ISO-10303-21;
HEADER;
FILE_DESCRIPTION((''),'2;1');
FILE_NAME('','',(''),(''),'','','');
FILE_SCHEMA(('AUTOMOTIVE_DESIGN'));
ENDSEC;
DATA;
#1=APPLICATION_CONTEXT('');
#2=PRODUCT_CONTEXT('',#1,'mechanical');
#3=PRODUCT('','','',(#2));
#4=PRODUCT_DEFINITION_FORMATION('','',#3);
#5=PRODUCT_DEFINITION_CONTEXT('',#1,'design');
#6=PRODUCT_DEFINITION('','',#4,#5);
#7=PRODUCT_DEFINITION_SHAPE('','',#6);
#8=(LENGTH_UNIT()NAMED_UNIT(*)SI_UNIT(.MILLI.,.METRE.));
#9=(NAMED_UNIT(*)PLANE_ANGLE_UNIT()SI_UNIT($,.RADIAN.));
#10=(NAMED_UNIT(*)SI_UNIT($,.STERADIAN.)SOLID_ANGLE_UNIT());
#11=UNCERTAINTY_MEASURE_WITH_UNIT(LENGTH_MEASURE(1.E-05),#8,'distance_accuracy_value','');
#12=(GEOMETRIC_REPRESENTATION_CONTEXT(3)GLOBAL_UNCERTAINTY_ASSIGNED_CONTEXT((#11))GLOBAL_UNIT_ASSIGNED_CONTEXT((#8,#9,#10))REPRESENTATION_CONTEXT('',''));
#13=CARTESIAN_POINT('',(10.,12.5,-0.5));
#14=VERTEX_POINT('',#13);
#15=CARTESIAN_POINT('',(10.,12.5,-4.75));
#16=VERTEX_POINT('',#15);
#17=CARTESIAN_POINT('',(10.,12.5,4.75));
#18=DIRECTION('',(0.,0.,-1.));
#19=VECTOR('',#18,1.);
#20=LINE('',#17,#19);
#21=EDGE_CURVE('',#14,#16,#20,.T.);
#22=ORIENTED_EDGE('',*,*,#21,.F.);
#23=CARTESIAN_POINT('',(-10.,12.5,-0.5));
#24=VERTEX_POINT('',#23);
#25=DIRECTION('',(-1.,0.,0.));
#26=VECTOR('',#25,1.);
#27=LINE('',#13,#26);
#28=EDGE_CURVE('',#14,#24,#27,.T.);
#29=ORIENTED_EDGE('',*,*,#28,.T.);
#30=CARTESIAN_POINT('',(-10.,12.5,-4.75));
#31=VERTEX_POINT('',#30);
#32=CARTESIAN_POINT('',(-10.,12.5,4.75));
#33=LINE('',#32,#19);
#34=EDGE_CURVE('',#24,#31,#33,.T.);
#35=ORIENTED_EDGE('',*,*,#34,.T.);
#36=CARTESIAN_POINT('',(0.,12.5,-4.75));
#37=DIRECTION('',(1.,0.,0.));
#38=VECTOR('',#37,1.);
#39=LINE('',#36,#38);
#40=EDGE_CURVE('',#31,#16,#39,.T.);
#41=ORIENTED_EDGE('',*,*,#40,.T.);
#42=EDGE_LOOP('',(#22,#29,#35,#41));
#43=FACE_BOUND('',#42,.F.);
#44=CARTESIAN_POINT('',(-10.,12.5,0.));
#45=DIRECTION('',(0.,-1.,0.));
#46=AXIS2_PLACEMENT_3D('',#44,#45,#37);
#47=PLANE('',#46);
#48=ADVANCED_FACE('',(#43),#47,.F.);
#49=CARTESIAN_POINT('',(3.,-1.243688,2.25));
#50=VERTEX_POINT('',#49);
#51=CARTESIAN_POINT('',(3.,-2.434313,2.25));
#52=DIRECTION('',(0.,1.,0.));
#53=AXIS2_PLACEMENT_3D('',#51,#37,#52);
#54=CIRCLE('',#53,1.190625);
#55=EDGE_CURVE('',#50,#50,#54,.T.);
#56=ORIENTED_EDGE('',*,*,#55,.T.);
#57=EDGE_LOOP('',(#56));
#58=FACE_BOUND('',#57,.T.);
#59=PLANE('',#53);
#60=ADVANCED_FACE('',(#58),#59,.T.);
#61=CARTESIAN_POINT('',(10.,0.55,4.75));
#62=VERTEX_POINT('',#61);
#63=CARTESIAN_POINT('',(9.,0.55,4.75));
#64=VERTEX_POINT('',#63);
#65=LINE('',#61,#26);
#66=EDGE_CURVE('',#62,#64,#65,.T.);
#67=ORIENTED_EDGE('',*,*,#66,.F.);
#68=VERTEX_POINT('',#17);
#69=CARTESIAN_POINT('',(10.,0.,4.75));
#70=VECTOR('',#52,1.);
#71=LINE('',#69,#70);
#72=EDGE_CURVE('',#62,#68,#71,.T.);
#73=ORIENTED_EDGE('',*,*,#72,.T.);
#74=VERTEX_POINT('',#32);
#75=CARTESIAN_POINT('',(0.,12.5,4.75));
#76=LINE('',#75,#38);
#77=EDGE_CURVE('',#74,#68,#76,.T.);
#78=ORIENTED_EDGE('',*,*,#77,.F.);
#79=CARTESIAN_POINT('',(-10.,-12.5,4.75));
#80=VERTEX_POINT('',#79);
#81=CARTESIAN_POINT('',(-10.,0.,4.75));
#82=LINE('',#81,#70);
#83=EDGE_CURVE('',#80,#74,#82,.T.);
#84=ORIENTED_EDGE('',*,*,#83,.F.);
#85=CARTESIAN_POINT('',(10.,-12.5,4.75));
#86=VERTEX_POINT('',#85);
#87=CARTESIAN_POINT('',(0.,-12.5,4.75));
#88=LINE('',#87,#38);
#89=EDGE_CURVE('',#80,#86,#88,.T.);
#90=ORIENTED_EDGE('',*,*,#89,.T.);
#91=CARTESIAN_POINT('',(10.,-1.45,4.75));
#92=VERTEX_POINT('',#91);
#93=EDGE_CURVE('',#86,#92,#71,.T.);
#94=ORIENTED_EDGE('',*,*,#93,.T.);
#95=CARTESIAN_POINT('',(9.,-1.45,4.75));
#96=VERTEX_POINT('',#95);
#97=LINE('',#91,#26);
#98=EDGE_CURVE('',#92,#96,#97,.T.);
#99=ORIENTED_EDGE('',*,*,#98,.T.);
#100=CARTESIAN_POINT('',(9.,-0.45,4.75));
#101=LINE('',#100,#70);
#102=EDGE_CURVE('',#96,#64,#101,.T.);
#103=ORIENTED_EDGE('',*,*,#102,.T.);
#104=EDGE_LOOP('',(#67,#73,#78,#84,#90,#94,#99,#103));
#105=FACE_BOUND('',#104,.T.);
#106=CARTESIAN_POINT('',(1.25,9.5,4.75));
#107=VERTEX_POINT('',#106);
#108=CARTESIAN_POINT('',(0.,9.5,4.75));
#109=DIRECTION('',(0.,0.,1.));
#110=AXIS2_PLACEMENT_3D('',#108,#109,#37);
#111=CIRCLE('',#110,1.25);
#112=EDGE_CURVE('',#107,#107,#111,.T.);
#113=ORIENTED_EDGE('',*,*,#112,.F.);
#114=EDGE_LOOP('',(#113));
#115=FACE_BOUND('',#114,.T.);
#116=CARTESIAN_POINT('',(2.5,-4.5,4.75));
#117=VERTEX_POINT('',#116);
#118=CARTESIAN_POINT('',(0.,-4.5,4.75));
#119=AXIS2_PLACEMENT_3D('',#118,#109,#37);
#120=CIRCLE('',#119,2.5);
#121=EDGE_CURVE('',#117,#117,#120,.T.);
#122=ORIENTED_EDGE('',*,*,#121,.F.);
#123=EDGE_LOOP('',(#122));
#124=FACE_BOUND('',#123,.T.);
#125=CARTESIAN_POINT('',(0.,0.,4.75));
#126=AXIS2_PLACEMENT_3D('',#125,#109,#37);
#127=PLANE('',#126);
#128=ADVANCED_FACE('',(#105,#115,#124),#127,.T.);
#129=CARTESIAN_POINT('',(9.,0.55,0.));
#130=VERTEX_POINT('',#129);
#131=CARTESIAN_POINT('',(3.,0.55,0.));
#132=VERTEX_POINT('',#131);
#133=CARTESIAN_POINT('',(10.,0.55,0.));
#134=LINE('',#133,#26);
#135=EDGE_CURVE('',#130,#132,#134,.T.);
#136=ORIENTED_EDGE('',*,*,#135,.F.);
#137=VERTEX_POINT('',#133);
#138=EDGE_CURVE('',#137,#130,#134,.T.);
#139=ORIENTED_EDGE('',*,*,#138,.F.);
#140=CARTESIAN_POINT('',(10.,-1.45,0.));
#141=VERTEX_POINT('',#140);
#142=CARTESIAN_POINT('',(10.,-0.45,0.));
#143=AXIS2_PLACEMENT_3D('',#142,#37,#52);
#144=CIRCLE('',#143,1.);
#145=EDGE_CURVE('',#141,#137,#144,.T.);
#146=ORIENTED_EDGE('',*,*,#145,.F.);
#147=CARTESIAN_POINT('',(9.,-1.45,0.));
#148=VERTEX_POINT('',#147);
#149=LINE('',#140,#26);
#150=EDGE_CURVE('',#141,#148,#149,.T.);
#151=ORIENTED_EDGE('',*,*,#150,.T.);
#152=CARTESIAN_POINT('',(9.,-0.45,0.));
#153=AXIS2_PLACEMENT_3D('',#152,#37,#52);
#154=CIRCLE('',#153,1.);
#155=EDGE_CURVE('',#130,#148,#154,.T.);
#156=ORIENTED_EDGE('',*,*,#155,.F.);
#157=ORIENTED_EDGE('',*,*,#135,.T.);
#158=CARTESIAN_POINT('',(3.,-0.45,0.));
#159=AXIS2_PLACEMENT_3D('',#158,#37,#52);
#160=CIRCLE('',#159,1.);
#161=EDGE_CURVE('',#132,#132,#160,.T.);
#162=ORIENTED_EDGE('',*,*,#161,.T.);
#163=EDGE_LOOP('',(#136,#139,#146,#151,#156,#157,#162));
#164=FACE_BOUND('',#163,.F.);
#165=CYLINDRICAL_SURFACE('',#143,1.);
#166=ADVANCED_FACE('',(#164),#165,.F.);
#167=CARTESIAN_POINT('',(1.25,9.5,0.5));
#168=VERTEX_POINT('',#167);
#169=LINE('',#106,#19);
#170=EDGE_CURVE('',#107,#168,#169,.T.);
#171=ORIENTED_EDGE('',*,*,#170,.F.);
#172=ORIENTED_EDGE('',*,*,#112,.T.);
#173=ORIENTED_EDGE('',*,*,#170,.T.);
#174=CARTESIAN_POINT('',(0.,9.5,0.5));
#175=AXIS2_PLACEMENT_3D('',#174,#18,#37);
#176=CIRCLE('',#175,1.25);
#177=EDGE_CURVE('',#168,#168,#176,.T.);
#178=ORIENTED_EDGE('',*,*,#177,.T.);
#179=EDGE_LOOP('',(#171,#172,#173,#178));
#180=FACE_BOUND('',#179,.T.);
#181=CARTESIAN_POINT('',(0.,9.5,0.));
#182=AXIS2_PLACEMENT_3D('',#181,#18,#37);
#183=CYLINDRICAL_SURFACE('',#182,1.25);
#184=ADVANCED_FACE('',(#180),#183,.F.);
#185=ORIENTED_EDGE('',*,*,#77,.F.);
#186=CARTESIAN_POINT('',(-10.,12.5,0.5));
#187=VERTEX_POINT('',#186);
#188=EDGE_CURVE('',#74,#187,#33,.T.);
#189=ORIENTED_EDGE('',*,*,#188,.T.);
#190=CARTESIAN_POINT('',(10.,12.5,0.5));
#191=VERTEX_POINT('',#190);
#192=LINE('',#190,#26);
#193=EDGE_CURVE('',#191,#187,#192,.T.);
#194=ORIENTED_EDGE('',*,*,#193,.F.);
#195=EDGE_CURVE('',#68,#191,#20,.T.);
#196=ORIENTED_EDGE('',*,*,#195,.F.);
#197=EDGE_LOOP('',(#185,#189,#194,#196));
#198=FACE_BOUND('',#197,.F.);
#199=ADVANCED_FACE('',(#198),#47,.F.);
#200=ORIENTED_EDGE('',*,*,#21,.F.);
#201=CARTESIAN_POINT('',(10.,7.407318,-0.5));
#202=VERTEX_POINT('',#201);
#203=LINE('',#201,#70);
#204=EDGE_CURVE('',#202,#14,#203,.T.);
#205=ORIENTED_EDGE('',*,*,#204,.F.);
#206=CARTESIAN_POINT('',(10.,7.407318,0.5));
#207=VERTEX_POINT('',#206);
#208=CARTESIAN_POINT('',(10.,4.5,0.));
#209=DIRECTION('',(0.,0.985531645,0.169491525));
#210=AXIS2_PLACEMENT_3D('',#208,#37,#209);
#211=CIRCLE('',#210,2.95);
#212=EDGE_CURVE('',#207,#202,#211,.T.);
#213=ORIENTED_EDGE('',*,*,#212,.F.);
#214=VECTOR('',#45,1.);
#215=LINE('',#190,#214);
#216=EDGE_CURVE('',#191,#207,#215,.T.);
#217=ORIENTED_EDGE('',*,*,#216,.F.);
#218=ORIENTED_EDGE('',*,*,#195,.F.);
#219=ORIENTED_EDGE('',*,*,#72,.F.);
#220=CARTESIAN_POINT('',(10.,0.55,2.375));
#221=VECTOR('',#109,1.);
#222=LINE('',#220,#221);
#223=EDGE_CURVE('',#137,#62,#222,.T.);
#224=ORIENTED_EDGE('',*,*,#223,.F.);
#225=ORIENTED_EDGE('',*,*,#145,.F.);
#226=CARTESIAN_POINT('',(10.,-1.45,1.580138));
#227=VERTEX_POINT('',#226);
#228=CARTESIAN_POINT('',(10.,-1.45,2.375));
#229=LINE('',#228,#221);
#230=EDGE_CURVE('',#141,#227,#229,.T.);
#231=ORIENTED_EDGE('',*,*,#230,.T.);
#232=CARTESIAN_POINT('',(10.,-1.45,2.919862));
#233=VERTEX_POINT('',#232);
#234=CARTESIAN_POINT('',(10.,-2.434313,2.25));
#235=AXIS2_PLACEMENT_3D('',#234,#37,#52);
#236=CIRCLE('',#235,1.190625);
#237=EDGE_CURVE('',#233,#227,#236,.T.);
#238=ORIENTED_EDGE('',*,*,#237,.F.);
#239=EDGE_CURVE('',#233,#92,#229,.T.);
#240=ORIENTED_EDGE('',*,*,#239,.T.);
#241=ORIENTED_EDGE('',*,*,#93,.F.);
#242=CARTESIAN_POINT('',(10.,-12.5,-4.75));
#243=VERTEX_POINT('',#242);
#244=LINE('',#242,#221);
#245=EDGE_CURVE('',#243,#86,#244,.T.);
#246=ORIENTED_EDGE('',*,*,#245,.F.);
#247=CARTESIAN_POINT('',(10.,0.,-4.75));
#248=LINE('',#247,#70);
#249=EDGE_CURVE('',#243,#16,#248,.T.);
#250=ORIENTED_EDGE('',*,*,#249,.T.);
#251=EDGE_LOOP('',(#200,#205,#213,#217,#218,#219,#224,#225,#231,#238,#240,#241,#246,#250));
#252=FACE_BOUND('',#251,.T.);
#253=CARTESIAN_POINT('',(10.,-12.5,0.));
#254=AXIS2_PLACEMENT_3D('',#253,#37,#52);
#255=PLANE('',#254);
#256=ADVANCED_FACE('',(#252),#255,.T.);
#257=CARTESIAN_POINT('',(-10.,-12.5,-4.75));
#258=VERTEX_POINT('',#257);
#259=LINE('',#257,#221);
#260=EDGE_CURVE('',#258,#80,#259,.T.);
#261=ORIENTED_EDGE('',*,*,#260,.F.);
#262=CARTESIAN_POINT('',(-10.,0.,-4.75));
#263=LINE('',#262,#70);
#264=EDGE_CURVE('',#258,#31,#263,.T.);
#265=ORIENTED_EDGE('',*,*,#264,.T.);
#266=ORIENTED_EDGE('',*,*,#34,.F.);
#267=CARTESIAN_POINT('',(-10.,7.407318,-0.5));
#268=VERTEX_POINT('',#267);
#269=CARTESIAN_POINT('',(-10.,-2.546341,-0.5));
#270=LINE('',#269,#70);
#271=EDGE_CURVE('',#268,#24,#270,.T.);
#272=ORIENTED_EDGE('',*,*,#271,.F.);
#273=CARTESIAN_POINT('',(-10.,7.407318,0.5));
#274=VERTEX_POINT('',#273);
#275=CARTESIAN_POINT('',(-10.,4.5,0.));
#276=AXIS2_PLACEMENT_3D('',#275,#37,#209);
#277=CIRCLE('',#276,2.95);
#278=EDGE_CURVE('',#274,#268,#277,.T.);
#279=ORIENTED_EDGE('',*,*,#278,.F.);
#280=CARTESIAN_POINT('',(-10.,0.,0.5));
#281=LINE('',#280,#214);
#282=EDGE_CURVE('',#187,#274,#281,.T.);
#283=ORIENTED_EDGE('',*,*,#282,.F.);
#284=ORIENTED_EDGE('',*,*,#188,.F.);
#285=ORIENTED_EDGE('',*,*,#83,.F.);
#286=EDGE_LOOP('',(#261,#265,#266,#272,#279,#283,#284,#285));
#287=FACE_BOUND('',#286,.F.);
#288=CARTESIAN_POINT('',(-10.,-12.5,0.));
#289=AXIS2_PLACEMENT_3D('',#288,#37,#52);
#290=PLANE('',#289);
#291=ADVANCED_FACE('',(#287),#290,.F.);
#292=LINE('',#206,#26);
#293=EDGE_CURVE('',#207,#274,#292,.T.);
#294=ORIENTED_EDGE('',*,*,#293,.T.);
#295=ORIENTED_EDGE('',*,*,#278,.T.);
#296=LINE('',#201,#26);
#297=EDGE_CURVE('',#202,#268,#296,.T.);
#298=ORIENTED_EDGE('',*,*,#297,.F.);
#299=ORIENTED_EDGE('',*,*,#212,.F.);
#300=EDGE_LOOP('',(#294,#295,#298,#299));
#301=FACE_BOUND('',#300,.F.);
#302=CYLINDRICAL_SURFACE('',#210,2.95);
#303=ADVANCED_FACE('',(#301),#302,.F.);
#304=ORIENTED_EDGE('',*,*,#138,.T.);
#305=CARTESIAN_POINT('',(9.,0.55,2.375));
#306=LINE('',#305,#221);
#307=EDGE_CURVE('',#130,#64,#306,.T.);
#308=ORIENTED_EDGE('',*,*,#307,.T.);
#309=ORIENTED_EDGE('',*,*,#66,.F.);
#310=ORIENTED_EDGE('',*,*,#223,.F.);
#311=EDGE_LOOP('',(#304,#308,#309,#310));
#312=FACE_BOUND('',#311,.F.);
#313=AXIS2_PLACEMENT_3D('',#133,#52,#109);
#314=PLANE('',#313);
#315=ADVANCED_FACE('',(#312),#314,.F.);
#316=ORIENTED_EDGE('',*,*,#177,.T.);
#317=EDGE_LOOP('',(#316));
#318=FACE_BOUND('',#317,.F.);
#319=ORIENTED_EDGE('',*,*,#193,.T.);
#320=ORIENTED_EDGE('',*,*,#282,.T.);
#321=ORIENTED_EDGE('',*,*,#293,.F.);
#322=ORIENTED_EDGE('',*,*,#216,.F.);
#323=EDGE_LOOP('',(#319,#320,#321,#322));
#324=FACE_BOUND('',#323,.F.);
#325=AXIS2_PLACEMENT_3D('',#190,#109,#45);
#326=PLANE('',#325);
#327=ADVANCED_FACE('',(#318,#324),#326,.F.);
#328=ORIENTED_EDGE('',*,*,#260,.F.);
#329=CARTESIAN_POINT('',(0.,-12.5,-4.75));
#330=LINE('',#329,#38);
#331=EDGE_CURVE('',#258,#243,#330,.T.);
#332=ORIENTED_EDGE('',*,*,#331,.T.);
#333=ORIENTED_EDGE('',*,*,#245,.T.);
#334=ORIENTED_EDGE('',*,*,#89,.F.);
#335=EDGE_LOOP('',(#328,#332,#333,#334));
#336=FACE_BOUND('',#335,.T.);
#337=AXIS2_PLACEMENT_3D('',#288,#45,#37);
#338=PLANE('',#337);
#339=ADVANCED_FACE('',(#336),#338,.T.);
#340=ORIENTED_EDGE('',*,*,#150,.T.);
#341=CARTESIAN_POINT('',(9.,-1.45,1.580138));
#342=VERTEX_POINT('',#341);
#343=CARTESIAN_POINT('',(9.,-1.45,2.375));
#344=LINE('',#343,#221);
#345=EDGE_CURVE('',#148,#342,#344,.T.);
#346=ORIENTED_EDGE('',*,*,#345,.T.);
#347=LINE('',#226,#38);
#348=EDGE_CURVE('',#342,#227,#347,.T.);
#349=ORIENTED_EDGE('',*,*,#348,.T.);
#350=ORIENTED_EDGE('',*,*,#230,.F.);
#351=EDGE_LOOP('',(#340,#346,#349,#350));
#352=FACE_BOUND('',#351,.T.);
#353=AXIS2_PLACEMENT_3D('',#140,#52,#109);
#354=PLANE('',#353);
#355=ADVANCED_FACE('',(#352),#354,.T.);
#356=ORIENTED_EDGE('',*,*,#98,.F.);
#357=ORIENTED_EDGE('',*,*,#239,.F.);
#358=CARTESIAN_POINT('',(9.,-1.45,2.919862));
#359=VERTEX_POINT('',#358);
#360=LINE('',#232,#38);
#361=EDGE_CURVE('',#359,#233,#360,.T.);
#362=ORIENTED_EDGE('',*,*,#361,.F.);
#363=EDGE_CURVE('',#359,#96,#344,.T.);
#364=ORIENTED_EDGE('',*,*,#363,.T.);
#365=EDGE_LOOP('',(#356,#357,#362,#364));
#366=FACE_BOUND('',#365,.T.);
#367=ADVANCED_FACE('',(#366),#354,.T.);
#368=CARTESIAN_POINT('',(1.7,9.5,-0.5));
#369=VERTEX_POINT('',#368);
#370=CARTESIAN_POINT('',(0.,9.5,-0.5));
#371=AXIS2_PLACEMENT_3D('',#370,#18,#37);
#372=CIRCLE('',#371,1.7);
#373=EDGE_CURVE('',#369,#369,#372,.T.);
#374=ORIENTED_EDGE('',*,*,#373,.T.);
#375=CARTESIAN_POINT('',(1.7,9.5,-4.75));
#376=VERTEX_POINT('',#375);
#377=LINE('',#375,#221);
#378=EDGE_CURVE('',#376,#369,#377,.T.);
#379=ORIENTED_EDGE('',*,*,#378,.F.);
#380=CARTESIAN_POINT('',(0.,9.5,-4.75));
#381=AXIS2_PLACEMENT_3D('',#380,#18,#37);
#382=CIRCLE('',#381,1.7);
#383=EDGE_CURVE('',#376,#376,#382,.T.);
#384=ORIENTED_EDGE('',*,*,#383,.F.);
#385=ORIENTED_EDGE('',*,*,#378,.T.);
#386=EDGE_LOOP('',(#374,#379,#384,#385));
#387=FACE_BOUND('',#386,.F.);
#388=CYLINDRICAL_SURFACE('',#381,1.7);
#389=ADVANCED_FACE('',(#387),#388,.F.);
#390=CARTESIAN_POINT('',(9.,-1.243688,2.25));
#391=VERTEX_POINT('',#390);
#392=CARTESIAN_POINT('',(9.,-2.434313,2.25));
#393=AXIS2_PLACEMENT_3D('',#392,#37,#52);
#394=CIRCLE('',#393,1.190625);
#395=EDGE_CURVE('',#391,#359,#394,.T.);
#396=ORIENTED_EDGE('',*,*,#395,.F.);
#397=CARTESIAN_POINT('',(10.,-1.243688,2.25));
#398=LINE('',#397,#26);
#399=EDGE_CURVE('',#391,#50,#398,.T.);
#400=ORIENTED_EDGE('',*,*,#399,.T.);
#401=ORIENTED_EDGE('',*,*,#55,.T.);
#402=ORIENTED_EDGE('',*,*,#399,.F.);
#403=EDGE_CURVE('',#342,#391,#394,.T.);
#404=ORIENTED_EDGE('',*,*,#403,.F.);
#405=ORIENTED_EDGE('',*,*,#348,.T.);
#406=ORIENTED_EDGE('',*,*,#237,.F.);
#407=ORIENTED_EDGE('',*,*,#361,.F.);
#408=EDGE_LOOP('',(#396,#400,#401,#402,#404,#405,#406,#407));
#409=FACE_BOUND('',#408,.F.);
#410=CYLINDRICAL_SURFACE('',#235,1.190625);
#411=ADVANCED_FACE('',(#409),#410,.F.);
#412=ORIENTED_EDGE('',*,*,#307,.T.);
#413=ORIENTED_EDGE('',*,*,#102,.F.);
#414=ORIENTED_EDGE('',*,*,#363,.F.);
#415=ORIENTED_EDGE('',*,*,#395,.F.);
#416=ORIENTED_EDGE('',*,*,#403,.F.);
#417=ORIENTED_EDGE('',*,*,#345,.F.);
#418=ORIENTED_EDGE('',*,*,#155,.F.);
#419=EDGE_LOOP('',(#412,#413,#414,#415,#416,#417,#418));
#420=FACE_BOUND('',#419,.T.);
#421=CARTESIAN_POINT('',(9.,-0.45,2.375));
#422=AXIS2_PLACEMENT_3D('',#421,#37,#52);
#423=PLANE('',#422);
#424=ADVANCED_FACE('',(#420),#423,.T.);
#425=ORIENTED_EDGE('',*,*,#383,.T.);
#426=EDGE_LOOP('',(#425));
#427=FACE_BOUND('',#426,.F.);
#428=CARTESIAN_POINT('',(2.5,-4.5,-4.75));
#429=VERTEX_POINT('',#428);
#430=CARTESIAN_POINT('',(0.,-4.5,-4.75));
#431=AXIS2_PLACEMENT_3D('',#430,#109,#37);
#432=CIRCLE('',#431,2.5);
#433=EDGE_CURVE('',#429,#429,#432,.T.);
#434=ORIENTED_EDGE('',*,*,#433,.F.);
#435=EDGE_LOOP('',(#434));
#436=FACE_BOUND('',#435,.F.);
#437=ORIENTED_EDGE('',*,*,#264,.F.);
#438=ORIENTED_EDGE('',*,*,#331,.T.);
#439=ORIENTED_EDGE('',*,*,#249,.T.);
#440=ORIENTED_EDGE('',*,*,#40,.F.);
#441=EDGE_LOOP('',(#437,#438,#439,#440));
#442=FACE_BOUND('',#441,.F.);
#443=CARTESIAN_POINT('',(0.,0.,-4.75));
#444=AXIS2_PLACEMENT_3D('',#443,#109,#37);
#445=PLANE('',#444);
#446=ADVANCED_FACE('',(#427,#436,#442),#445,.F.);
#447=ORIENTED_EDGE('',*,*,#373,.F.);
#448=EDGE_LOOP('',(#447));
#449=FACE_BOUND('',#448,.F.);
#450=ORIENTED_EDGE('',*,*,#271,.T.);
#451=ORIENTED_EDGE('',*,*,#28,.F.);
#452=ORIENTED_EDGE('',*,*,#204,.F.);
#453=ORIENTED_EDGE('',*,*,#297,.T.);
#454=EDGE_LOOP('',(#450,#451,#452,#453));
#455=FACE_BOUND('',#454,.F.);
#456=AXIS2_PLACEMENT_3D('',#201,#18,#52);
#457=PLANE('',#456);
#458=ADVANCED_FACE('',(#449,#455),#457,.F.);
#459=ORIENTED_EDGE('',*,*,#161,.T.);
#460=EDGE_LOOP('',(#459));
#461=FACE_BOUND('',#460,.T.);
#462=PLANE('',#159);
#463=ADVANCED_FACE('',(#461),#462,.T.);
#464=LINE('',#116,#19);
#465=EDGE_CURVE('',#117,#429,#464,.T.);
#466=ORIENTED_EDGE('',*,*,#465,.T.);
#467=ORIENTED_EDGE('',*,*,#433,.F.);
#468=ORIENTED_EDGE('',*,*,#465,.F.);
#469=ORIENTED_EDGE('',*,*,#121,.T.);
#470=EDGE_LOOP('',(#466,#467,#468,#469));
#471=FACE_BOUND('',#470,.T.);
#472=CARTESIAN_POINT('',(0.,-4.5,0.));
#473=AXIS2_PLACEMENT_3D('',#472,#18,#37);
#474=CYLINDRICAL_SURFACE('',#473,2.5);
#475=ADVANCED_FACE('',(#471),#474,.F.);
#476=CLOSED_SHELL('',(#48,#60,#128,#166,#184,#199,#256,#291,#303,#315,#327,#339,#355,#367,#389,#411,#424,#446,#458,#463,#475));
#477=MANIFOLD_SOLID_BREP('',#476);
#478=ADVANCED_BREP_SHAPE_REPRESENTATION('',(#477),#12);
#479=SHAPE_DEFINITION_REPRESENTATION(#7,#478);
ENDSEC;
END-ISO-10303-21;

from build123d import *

# Parameters (mm, degrees)
F0_W     = 20
F0_H     = 25
F0_R     = 2.5
F0_R_2   = 1.25
F1_DEPTH = 4.75
F3_DEPTH = 20.001
F4_R     = 1.7
F5_DEPTH = 4.25
F6_R     = 1
F6_R_2   = 1.190625
F7_DEPTH = 7
F8_W     = 2
F8_H     = 4.7499998814
F9_DEPTH = 1


with BuildPart() as f1:
    # F0 (on Top) → F1 (new body, symmetric)
    with BuildSketch(Plane.XY):
        Rectangle(F0_W, F0_H)
        with Locations((0, -4.5)):
            Circle(F0_R, mode=Mode.SUBTRACT)
        with Locations((0, 9.5)):
            Circle(F0_R_2, mode=Mode.SUBTRACT)
    extrude(amount=F1_DEPTH, both=True)

    # F2 (on face) → F3 (cut, through all)
    with BuildSketch(Plane.YZ.offset(10)):
        with BuildLine():
            ThreePointArc((7.407318352, -0.5), (7.43931022, -0.2509092082), (7.45, 0))
            ThreePointArc((7.45, 0), (7.43931022, 0.2509092082), (7.407318352, 0.5))
            Line((7.407318352, 0.5), (7.407318352, -0.5))
        make_face()
        with BuildLine():
            ThreePointArc((7.407318352, 0.5), (7.43931022, 0.2509092082), (7.45, 0))
            ThreePointArc((7.45, 0), (7.43931022, -0.2509092082), (7.407318352, -0.5))
            Line((7.407318352, -0.5), (12.5, -0.5))
            Line((12.5, -0.5), (12.5, 0.5))
            Line((12.5, 0.5), (7.407318352, 0.5))
        make_face()
        with BuildLine():
            Line((7.407318352, -0.5), (7.407318352, 0.5))
            ThreePointArc((7.407318352, 0.5), (1.55, 0), (7.407318352, -0.5))
        make_face()
    extrude(amount=-F3_DEPTH, mode=Mode.SUBTRACT)

    # F4 (on face) → F5 (cut, through all)
    with BuildSketch(Plane(origin=(0, 0, -4.75), x_dir=(1, 0, 0), z_dir=(0, 0, -1))):
        with Locations((0, -9.5)):
            Circle(F4_R)
    extrude(amount=-F5_DEPTH, mode=Mode.SUBTRACT)

    # F6 (on face) → F7 (cut)
    with BuildSketch(Plane.YZ.offset(10)):
        with Locations((-0.45, 0)):
            Circle(F6_R)
        with Locations((-2.4343134833, 2.25)):
            Circle(F6_R_2)
    extrude(amount=-F7_DEPTH, mode=Mode.SUBTRACT)

    # F8 (on face) → F9 (cut)
    with BuildSketch(Plane.YZ.offset(10)):
        with Locations((-0.45, 2.3750000593)):
            Rectangle(F8_W, F8_H)
    extrude(amount=-F9_DEPTH, mode=Mode.SUBTRACT)


solid = f1.part
